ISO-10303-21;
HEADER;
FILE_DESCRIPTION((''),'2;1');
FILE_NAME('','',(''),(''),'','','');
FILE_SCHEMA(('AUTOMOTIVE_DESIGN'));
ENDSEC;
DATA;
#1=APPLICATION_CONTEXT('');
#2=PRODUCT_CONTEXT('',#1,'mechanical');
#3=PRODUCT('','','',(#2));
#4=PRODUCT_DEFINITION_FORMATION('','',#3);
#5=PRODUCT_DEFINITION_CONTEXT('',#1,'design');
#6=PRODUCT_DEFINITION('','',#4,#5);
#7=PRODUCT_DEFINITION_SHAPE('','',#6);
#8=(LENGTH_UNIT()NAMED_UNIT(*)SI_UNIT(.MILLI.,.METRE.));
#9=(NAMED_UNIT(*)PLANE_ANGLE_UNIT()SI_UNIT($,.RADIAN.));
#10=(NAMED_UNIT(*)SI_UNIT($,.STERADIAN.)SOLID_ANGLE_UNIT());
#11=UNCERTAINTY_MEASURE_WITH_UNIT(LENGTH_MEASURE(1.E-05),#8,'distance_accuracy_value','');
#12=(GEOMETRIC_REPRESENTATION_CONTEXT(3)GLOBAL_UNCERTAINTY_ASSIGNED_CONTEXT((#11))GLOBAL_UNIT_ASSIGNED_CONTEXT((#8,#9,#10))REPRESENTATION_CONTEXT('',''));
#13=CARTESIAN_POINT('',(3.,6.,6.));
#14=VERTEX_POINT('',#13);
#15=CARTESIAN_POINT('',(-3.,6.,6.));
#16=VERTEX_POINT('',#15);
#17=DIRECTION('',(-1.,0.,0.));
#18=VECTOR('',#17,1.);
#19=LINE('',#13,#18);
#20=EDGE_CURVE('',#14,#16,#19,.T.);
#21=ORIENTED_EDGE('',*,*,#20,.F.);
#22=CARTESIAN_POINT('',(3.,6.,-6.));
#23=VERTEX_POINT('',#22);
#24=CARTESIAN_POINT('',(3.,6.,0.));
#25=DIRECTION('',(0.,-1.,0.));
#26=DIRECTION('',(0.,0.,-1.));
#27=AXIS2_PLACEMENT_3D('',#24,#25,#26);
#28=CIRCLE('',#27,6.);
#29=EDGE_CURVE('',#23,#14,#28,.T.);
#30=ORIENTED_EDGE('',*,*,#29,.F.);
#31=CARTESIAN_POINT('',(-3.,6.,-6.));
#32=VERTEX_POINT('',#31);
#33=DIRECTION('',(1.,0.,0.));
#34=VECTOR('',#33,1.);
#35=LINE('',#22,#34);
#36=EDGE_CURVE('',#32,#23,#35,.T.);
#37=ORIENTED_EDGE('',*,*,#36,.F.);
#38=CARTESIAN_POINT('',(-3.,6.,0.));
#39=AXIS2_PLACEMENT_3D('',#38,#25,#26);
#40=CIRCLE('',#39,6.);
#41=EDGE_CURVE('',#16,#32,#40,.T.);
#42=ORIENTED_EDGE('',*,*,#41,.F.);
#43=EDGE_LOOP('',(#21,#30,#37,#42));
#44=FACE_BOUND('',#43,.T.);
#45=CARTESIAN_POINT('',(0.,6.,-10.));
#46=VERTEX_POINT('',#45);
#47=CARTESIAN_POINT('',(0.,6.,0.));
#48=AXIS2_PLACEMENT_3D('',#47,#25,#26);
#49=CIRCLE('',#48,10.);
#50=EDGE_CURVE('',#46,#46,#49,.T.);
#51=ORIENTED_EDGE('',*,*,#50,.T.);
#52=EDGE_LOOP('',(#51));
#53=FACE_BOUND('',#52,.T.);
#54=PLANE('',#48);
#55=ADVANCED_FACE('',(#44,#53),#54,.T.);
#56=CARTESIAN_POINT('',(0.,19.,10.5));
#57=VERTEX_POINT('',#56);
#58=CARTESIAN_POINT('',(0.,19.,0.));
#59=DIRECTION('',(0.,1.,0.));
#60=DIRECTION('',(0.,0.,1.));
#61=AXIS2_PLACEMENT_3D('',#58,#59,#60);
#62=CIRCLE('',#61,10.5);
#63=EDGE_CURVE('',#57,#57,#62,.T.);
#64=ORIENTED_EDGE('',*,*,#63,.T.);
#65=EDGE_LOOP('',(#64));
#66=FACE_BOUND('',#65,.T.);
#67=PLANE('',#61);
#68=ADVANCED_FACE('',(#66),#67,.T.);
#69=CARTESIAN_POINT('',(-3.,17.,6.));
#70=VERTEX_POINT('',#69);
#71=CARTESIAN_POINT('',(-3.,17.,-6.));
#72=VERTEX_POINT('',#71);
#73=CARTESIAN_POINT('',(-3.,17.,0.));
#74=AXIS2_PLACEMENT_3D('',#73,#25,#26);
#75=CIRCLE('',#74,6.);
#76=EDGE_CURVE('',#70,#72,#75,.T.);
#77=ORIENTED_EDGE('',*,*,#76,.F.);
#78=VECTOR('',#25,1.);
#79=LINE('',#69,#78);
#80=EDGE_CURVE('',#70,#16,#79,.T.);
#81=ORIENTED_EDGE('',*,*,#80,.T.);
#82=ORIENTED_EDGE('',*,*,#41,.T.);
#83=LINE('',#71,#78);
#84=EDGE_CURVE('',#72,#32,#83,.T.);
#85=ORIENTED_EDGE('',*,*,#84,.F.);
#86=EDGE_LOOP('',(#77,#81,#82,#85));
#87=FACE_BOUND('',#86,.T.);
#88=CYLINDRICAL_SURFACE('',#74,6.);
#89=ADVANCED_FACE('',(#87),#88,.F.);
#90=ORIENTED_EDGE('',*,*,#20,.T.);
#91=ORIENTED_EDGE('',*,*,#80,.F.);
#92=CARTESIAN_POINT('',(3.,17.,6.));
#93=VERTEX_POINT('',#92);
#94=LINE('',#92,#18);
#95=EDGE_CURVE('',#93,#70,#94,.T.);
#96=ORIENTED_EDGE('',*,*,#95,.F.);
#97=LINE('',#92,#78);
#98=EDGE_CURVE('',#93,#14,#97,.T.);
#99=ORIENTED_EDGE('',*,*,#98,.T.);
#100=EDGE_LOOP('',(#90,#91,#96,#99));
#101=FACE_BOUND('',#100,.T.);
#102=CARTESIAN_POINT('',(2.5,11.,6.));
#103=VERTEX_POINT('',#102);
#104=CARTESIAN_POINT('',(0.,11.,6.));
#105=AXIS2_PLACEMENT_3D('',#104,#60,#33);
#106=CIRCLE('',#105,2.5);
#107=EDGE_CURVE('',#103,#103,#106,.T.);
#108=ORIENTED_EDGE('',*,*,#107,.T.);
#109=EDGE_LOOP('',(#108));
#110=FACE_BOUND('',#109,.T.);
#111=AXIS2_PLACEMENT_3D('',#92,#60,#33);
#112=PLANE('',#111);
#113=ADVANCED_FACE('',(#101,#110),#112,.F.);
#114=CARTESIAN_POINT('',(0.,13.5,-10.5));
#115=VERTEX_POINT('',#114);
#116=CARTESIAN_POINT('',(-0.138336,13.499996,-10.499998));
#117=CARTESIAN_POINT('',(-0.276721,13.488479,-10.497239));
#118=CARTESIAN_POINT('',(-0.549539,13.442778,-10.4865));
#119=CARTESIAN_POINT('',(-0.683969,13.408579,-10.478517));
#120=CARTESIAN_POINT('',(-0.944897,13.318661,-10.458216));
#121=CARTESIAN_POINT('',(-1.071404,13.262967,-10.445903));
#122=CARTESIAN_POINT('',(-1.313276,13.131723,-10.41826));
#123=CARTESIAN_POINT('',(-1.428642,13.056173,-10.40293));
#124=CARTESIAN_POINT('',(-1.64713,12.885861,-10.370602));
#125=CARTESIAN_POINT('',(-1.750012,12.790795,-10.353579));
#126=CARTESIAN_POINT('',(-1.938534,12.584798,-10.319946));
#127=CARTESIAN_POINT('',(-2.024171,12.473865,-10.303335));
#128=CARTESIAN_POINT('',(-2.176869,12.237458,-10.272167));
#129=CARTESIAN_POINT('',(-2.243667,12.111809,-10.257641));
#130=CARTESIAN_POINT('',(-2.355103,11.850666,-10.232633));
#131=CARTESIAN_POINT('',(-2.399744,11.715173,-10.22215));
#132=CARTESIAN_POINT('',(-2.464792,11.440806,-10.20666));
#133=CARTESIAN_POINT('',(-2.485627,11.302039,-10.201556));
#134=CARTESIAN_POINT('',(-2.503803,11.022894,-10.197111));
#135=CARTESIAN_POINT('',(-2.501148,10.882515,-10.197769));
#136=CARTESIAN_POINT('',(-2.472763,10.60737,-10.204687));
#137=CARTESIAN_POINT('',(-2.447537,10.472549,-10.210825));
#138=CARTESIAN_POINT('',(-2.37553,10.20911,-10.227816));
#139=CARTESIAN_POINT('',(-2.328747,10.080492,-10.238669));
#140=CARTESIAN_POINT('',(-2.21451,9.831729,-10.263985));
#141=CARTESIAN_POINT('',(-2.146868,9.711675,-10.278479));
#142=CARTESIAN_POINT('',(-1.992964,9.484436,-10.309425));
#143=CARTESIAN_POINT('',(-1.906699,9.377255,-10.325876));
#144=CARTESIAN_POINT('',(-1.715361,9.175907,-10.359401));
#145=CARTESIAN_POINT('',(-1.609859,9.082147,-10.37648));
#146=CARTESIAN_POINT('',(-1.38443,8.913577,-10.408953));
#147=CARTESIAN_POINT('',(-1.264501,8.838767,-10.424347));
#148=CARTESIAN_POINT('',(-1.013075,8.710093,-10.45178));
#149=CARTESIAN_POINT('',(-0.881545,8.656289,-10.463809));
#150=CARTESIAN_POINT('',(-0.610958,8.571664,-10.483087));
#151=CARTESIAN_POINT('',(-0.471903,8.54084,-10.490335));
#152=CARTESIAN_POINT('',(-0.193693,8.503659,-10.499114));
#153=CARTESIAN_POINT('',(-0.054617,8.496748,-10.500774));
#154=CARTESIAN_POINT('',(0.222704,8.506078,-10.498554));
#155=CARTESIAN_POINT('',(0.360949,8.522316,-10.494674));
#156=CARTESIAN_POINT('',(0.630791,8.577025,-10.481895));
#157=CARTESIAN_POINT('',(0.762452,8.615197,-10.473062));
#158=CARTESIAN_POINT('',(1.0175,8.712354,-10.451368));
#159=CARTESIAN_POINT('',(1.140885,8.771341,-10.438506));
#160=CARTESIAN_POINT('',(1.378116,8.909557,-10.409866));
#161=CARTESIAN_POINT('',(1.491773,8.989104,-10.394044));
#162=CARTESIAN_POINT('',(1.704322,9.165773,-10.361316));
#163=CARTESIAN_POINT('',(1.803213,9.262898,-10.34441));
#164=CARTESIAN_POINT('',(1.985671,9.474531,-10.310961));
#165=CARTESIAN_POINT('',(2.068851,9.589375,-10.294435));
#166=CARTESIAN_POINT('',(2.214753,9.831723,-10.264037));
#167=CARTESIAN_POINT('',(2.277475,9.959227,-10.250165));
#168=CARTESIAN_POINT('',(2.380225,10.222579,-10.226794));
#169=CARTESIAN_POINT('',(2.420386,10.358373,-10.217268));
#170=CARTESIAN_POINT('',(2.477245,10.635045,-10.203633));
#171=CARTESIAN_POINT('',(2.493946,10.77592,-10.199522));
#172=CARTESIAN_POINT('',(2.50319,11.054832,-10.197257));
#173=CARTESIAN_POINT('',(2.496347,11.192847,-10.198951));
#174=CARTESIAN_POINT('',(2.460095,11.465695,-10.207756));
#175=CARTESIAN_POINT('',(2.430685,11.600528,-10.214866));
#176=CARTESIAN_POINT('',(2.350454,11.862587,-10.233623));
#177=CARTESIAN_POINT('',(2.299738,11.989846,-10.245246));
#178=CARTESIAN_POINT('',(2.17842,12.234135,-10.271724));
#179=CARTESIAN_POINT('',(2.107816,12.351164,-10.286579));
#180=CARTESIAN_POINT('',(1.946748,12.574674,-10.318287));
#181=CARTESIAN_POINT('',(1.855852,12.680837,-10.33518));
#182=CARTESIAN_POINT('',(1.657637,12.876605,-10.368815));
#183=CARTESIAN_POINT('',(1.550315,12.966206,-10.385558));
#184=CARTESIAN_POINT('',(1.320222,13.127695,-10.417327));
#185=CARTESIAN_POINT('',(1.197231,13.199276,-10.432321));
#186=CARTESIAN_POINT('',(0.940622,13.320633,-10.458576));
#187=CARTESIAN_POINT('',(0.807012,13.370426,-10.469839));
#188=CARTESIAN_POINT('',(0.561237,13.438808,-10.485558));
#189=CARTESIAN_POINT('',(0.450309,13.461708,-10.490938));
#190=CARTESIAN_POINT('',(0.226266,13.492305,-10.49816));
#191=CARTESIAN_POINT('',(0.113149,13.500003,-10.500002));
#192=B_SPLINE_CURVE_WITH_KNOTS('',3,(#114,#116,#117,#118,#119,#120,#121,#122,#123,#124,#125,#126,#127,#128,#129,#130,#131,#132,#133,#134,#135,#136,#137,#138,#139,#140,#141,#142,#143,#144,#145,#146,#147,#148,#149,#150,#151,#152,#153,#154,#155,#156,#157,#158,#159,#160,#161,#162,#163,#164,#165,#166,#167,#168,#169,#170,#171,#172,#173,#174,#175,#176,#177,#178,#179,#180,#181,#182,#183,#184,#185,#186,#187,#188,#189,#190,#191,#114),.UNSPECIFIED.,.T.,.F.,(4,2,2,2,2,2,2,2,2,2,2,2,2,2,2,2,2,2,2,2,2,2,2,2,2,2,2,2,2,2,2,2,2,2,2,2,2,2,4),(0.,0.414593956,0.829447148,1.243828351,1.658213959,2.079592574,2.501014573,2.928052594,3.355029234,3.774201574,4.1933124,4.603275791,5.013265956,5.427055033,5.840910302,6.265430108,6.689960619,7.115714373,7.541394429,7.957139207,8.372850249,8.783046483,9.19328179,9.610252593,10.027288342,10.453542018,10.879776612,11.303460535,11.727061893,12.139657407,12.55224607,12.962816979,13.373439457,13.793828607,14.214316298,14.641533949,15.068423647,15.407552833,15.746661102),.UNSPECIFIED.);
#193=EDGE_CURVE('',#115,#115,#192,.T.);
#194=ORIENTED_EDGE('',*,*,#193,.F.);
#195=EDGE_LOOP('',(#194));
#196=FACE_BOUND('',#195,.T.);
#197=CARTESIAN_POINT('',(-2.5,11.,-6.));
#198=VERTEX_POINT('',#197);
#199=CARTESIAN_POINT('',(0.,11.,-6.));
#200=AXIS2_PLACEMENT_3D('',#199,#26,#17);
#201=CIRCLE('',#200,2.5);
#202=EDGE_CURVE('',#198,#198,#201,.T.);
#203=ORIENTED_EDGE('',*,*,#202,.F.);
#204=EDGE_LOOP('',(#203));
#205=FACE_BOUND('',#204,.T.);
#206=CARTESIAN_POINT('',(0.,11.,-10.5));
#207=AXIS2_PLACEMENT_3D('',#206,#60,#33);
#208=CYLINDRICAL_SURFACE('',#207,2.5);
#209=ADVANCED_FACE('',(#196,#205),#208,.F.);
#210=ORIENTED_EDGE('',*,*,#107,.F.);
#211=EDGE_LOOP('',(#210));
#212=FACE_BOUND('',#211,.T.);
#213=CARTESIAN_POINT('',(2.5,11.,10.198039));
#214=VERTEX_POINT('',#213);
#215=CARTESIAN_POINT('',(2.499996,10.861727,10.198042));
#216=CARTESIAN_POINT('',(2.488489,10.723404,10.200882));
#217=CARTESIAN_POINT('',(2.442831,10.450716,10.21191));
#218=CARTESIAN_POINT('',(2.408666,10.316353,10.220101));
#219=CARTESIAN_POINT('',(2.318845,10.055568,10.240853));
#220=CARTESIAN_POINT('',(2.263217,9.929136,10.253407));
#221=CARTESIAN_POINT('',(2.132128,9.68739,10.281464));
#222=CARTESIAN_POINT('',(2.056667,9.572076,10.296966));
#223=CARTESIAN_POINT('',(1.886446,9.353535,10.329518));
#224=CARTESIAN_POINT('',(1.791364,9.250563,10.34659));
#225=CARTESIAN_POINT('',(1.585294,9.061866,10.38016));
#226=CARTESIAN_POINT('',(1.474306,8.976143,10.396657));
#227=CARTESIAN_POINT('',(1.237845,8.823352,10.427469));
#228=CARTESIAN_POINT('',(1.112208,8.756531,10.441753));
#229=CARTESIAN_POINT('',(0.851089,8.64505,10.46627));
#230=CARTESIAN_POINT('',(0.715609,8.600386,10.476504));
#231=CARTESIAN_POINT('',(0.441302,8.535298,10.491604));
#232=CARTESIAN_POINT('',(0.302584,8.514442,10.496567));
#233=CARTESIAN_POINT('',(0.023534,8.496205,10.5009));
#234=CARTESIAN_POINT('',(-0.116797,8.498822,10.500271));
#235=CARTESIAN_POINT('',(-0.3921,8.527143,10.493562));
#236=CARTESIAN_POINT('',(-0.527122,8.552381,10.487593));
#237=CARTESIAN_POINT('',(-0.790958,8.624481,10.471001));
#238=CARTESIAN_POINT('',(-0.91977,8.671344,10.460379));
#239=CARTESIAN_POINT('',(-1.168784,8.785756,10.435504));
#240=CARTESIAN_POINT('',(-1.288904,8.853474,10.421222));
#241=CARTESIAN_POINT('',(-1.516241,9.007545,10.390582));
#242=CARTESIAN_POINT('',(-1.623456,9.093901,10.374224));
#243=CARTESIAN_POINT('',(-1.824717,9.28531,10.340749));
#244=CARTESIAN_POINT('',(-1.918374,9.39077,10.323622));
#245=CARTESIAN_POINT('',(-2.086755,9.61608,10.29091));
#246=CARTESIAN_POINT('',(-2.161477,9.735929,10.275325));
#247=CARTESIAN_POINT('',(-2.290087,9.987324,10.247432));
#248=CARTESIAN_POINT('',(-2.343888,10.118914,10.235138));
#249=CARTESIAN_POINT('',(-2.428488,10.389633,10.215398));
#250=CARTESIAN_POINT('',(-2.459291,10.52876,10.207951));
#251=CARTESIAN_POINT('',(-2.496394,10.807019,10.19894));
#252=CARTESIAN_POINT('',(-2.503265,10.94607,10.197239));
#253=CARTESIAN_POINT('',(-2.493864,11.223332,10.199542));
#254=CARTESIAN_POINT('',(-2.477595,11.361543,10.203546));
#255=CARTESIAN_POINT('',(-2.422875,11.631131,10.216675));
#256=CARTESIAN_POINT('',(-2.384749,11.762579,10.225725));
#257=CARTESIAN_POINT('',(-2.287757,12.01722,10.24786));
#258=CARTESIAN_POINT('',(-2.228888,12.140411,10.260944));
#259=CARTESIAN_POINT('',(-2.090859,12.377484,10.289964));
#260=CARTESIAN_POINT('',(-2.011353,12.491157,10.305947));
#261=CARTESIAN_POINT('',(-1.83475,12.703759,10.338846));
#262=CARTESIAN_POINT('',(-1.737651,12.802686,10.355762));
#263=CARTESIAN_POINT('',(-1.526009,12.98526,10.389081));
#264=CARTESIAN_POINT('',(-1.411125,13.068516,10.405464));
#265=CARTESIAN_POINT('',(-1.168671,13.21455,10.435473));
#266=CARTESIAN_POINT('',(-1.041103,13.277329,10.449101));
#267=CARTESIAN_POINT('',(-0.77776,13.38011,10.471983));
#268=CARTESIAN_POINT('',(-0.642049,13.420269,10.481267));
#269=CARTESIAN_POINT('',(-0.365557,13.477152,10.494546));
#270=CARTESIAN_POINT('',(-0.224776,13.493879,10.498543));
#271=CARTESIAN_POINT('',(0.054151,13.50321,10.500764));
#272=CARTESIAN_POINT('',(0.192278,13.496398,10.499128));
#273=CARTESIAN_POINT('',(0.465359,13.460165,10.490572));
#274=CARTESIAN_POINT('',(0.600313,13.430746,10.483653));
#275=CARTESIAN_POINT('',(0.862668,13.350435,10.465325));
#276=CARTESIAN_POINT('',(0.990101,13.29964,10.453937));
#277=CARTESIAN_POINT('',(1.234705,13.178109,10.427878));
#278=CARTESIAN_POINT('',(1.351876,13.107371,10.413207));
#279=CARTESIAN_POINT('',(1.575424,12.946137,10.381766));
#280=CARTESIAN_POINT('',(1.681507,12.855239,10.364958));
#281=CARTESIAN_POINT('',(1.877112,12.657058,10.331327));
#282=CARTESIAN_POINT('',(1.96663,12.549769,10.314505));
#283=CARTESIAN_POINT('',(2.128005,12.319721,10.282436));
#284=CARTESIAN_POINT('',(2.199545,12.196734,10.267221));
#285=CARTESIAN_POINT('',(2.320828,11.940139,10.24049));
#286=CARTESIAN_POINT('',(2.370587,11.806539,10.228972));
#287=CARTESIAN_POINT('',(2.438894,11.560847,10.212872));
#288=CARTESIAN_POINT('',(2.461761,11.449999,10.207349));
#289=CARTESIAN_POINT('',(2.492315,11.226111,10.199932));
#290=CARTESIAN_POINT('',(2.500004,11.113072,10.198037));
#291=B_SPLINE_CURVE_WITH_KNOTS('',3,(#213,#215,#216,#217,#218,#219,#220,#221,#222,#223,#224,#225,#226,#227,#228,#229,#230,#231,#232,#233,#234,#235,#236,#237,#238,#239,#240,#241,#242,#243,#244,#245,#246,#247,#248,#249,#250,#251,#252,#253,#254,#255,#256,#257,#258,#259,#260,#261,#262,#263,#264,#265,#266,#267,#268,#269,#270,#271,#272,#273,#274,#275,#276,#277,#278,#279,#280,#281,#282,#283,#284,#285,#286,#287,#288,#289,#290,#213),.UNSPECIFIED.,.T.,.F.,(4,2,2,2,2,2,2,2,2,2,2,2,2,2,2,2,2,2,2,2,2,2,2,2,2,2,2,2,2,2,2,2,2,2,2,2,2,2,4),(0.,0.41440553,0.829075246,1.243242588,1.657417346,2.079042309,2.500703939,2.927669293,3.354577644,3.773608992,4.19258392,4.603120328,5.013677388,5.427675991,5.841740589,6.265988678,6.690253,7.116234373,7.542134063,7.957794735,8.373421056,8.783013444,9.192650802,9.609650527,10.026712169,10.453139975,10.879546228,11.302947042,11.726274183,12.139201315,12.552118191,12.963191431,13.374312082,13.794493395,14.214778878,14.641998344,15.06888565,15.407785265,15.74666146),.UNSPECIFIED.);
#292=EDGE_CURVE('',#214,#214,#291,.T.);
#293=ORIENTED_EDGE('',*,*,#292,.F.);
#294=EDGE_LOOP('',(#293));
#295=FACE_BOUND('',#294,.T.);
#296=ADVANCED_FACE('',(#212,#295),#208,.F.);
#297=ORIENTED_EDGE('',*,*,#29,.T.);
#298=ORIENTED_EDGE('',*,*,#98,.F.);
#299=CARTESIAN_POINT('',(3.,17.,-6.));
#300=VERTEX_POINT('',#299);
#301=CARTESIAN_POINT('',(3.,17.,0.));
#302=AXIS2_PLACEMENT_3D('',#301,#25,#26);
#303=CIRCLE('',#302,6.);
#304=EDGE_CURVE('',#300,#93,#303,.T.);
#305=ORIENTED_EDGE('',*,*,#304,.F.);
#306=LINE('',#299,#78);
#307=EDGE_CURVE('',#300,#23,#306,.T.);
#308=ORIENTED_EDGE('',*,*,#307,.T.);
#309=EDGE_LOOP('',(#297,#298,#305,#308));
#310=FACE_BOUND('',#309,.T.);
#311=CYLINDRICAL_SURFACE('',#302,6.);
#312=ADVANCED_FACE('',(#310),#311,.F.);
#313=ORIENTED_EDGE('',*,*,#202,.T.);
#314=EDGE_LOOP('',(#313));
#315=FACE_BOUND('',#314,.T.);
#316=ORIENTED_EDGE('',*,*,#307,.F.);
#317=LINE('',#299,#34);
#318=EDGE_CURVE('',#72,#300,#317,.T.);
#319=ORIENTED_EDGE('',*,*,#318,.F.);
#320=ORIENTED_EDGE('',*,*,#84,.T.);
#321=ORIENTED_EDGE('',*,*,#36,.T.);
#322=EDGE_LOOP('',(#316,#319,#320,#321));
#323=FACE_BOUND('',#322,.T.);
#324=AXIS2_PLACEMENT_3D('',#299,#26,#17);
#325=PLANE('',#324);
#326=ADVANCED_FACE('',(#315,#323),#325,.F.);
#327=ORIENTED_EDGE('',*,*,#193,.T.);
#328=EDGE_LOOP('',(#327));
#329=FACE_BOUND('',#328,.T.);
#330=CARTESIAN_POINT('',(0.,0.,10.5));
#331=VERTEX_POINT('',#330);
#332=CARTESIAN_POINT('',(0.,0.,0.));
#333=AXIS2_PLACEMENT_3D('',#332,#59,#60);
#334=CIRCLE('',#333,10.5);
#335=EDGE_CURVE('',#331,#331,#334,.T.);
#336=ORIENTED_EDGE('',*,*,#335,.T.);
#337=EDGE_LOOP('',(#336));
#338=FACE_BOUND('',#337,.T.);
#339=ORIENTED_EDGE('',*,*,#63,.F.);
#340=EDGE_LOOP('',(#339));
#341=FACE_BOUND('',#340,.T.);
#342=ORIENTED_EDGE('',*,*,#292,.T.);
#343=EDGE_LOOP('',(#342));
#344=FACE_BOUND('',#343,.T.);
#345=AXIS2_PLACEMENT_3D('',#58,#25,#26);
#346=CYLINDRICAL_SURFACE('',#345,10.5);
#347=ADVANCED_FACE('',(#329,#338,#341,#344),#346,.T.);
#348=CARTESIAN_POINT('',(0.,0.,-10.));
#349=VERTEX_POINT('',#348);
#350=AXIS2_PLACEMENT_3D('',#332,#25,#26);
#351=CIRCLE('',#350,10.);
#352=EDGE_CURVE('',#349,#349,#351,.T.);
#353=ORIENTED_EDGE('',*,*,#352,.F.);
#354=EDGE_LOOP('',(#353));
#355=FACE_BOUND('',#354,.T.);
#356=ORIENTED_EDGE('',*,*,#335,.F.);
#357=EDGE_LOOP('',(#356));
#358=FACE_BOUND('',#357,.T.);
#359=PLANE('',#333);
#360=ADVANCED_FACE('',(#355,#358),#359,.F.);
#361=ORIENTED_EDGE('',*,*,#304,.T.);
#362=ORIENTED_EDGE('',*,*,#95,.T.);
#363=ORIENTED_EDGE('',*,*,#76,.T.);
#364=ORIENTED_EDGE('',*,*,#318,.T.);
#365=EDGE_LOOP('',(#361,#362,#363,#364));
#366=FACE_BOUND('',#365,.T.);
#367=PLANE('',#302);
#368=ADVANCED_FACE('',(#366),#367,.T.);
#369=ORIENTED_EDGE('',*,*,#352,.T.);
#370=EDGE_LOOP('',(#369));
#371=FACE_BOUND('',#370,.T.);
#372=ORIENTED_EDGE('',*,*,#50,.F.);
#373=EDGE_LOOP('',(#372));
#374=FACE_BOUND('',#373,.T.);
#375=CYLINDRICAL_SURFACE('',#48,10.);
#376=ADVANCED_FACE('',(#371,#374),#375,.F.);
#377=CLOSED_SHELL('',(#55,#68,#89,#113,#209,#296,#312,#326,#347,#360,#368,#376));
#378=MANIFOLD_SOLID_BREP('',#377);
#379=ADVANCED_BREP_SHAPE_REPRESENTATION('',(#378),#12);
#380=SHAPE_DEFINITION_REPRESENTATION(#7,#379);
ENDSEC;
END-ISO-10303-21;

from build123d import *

# Parameters (mm, degrees)
SKETCH1_R               = 10.5
BOSS_EXTRUDE1_DEPTH     = 19
SKETCH2_R               = 10
CUT_EXTRUDE1_DEPTH      = 6
CUT_EXTRUDE2_DEPTH      = 11
CUT_EXTRUDE3_DEPTH      = 25.114311104
CUT_EXTRUDE3_DEPTH_BACK = 25.114311104
SKETCH4_R               = 2.5


with BuildPart() as part:
    # Sketch1 → Boss-Extrude1 (new body)
    with BuildSketch(Plane(origin=(0, 0, 0), x_dir=(1, 0, 0), z_dir=(0, 1, 0))):
        with Locations(Location((0, 0, 0), (0, 0, 270))):
            Circle(SKETCH1_R)
    extrude(amount=BOSS_EXTRUDE1_DEPTH)

    # Sketch2 → Cut-Extrude1 (cut)
    with BuildSketch(Plane.XZ):
        with Locations(Location((0, 0, 0), (0, 0, 270))):
            Circle(SKETCH2_R)
    extrude(amount=-CUT_EXTRUDE1_DEPTH, mode=Mode.SUBTRACT)

    # Sketch3 → Cut-Extrude2 (cut)
    with BuildSketch(Plane.XZ.offset(-6)):
        with BuildLine():
            Line((3, -6), (-3, -6))
            ThreePointArc((-3, -6), (-9, 0), (-3, 6))
            Line((-3, 6), (3, 6))
            ThreePointArc((3, 6), (9, 0), (3, -6))
        make_face()
    extrude(amount=-CUT_EXTRUDE2_DEPTH, mode=Mode.SUBTRACT)

    # Sketch4 → Cut-Extrude3 (cut, two sides: drawn at the far end of the back side and taken through both)
    with BuildSketch(Plane.XY.offset(-CUT_EXTRUDE3_DEPTH_BACK)):
        with Locations((0, 11)):
            Circle(SKETCH4_R)
    extrude(amount=CUT_EXTRUDE3_DEPTH + CUT_EXTRUDE3_DEPTH_BACK, mode=Mode.SUBTRACT)


solid = part.part
